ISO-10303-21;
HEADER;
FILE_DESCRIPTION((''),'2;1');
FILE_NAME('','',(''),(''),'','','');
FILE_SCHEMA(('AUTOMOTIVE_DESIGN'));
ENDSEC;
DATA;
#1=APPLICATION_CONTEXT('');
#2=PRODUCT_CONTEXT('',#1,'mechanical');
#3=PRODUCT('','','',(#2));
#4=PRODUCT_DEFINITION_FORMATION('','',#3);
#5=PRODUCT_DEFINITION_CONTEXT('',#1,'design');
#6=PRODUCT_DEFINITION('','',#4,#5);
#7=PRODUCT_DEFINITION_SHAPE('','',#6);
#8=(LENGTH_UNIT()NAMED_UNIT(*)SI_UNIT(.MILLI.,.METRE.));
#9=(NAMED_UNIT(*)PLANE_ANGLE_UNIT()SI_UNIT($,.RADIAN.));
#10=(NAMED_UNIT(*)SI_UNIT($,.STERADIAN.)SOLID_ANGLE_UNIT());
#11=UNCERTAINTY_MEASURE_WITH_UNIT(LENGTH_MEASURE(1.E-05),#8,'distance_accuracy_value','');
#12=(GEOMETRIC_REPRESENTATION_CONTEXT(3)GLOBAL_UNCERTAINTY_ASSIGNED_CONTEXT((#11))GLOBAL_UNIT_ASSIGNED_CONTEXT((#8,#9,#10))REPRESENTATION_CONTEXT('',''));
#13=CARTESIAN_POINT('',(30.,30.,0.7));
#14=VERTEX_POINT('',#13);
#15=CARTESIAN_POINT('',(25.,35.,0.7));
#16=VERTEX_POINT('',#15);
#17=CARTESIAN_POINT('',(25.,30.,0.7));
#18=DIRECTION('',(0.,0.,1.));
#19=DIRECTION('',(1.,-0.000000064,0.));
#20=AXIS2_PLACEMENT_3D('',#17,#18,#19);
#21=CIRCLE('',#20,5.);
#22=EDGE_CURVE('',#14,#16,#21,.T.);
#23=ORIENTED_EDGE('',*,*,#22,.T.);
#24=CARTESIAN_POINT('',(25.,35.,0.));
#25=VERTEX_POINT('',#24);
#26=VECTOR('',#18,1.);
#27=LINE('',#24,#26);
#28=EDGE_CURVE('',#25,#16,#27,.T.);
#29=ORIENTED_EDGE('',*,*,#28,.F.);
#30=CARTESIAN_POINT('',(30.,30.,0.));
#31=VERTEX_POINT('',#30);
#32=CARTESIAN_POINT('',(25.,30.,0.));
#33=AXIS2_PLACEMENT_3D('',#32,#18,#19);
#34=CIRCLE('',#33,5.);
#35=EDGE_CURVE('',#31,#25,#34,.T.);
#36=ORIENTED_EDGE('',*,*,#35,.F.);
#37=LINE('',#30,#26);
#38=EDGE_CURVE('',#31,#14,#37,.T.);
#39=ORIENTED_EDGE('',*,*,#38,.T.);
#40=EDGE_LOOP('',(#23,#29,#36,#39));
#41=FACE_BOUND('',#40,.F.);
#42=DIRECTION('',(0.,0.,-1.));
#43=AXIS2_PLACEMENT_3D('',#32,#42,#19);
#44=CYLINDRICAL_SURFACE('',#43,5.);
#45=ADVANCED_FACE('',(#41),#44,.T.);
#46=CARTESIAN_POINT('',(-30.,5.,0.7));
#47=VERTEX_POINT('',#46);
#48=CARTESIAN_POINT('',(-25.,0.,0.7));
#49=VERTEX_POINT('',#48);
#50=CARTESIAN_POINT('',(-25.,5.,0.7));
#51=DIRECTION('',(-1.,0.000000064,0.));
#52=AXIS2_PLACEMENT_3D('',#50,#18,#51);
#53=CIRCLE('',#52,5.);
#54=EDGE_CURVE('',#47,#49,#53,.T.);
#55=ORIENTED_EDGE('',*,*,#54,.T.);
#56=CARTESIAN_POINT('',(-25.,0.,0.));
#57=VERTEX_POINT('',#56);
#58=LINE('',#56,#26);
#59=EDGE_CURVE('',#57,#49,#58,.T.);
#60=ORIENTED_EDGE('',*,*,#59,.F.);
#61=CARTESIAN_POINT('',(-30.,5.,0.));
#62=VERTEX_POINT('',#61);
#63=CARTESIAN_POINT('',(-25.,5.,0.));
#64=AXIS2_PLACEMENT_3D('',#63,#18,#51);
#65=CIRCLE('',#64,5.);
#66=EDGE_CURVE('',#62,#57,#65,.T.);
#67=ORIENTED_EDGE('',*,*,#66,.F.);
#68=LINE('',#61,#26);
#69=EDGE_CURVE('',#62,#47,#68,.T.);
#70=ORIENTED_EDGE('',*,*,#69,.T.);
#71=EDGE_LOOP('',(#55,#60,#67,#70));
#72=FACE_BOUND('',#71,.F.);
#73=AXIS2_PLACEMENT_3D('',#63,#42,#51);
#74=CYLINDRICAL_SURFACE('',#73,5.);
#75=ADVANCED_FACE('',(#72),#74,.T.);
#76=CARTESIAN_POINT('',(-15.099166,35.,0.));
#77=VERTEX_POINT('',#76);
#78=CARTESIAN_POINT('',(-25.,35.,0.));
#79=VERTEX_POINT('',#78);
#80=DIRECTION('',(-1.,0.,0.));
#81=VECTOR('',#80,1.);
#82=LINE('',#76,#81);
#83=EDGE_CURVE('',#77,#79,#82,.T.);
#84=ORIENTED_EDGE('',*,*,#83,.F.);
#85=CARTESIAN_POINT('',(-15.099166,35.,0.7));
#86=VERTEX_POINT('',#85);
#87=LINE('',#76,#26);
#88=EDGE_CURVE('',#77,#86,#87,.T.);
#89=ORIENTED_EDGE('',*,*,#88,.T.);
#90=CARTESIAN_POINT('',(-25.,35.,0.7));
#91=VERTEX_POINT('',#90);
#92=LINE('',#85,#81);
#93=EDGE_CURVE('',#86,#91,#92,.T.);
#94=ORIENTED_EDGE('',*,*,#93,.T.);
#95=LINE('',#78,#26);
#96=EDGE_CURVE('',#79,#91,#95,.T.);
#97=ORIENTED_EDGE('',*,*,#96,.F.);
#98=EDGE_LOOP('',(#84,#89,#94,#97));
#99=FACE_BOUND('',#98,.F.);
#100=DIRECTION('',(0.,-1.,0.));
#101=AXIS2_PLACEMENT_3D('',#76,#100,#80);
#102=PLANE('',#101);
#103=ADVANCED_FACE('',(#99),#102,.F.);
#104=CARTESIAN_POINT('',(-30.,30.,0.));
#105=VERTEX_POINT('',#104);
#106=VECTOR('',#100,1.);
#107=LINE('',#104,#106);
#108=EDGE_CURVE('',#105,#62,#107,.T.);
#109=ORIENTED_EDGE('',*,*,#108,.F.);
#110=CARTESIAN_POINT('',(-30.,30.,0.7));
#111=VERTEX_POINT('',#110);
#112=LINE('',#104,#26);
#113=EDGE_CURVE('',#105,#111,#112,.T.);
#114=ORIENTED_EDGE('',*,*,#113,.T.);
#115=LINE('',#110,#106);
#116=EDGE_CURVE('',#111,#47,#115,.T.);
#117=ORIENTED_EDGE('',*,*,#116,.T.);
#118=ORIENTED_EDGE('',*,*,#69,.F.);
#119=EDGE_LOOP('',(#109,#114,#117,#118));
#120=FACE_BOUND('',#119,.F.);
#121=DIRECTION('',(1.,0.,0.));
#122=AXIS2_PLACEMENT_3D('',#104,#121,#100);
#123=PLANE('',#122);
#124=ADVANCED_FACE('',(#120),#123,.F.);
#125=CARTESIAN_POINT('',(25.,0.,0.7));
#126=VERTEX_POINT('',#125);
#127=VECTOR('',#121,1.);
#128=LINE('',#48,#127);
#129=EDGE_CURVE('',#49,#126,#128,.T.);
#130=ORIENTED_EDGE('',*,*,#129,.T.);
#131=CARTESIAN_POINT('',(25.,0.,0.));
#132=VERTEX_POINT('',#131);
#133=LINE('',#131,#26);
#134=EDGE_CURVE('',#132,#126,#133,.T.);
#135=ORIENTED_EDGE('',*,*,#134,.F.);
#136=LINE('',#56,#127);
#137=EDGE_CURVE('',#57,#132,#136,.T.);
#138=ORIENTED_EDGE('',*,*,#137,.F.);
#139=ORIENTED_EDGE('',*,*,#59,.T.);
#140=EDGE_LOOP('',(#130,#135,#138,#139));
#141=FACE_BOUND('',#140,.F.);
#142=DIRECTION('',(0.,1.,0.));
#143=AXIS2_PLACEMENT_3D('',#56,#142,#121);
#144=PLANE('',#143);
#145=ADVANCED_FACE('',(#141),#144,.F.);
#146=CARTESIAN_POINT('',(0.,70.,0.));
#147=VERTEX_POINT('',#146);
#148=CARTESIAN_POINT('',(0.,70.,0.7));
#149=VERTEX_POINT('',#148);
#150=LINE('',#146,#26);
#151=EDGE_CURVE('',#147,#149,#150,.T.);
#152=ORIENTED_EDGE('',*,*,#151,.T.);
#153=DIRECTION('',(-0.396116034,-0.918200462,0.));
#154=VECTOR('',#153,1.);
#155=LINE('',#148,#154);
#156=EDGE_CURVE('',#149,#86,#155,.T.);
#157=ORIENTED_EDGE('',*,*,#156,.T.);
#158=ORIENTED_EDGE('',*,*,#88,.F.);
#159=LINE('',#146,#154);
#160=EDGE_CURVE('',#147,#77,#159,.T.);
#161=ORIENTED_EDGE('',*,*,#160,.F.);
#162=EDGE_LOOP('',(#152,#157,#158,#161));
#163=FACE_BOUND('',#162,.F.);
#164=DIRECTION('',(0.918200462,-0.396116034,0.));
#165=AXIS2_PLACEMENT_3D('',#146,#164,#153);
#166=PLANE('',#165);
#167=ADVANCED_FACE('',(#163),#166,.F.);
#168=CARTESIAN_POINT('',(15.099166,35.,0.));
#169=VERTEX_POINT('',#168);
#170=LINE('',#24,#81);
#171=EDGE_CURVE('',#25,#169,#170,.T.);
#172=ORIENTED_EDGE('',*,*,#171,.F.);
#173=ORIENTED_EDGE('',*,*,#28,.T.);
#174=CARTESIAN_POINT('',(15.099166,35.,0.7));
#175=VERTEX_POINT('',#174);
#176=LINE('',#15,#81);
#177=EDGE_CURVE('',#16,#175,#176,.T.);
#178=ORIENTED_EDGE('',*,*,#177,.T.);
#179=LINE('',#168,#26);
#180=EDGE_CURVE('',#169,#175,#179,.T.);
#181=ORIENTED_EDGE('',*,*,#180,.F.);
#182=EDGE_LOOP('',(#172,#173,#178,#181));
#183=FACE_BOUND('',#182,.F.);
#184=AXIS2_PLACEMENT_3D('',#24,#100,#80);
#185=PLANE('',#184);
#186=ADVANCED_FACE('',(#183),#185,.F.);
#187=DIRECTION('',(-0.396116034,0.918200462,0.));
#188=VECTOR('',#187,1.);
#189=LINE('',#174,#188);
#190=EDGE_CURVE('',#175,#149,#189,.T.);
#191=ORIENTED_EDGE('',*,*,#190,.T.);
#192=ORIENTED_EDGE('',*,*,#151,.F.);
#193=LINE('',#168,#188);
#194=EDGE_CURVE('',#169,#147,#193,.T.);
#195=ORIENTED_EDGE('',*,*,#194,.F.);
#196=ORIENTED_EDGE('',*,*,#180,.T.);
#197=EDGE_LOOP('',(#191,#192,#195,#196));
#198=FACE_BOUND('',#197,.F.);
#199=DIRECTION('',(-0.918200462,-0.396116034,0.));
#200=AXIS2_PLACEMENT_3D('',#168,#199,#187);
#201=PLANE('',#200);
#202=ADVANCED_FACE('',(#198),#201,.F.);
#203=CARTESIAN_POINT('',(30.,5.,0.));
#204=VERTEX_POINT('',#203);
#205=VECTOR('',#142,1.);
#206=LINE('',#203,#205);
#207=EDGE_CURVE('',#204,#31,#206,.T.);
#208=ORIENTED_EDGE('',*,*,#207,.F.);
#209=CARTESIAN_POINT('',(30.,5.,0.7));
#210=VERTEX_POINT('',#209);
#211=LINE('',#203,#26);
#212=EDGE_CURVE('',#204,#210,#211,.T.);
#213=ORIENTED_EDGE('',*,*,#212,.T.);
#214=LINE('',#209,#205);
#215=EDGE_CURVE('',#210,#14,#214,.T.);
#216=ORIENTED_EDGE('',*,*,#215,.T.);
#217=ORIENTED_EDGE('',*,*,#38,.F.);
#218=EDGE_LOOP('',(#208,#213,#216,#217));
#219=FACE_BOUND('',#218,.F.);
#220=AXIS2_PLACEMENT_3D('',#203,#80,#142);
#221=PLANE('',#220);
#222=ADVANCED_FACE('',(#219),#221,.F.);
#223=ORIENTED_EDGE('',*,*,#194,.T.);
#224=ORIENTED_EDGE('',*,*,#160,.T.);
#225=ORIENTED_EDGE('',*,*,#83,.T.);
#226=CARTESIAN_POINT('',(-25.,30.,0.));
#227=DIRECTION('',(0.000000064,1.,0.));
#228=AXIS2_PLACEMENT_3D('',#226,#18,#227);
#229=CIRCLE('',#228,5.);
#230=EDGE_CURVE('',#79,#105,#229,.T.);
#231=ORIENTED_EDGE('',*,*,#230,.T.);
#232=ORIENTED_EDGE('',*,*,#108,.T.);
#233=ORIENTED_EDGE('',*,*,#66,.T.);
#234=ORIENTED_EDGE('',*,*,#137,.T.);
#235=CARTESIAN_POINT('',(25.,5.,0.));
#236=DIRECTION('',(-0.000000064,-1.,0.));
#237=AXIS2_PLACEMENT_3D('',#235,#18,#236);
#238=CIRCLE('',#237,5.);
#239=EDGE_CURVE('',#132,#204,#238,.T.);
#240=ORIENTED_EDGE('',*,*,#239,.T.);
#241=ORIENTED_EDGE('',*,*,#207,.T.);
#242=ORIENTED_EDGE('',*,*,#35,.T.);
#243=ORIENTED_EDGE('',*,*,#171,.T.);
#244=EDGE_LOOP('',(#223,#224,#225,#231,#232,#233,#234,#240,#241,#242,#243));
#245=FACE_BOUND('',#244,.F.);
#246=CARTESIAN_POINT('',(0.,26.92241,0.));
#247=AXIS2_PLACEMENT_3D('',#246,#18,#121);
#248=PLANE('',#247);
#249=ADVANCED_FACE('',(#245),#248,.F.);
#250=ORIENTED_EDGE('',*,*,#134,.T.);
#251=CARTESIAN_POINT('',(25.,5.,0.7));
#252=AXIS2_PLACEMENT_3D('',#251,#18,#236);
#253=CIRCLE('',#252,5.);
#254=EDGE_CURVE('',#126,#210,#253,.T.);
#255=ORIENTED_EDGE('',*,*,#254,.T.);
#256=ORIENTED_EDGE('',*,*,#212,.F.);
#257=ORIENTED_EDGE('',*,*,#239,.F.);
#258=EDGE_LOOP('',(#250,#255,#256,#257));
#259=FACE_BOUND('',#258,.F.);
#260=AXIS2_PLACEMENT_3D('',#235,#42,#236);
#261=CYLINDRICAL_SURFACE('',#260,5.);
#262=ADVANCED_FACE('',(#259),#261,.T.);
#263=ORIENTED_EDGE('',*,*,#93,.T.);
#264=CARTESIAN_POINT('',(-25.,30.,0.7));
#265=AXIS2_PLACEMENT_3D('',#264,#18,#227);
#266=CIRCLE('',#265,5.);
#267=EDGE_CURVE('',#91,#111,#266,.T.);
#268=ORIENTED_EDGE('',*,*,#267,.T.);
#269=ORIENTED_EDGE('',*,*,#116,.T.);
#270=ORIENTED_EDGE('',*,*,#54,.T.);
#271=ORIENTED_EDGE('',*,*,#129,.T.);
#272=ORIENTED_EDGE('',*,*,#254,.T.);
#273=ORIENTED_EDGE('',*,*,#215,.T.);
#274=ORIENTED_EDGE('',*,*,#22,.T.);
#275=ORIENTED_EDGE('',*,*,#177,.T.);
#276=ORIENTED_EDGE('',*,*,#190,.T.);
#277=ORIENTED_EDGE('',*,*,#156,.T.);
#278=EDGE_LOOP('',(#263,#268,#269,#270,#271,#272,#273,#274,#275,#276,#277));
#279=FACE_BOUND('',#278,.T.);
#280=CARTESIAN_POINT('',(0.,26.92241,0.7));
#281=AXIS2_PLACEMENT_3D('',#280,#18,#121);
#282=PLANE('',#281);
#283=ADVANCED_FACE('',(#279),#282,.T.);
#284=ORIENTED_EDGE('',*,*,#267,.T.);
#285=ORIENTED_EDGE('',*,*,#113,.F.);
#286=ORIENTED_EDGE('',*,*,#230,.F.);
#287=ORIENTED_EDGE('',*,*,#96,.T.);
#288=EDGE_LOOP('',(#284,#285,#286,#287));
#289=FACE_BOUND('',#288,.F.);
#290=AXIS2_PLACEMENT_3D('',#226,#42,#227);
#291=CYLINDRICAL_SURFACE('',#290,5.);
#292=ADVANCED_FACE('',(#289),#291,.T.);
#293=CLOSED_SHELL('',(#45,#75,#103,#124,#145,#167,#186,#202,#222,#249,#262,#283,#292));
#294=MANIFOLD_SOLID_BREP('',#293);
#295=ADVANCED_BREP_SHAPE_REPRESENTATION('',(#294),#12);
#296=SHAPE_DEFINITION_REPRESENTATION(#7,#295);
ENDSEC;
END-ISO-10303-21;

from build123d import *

# Parameters (mm, degrees)
F1_DEPTH = 0.7


with BuildPart() as f1:
    # F0 (on Top) → F1 (new body)
    with BuildSketch(Plane.XY):
        with BuildLine():
            Line((-25, 0), (0, 0))
            Line((0, 0), (25, 0))
            ThreePointArc((25, 0), (28.535534, 1.464466), (30, 5))
            Line((30, 5), (30, 30))
            ThreePointArc((30, 30), (28.535534, 33.535534), (25, 35))
            Line((25, 35), (15.099166, 35))
            Line((15.099166, 35), (0, 70))
            Line((0, 70), (-15.099166, 35))
            Line((-15.099166, 35), (-25, 35))
            ThreePointArc((-25, 35), (-28.535534, 33.535534), (-30, 30))
            Line((-30, 30), (-30, 5))
            ThreePointArc((-30, 5), (-28.535534, 1.464466), (-25, 0))
        make_face()
    extrude(amount=F1_DEPTH)


solid = f1.part
